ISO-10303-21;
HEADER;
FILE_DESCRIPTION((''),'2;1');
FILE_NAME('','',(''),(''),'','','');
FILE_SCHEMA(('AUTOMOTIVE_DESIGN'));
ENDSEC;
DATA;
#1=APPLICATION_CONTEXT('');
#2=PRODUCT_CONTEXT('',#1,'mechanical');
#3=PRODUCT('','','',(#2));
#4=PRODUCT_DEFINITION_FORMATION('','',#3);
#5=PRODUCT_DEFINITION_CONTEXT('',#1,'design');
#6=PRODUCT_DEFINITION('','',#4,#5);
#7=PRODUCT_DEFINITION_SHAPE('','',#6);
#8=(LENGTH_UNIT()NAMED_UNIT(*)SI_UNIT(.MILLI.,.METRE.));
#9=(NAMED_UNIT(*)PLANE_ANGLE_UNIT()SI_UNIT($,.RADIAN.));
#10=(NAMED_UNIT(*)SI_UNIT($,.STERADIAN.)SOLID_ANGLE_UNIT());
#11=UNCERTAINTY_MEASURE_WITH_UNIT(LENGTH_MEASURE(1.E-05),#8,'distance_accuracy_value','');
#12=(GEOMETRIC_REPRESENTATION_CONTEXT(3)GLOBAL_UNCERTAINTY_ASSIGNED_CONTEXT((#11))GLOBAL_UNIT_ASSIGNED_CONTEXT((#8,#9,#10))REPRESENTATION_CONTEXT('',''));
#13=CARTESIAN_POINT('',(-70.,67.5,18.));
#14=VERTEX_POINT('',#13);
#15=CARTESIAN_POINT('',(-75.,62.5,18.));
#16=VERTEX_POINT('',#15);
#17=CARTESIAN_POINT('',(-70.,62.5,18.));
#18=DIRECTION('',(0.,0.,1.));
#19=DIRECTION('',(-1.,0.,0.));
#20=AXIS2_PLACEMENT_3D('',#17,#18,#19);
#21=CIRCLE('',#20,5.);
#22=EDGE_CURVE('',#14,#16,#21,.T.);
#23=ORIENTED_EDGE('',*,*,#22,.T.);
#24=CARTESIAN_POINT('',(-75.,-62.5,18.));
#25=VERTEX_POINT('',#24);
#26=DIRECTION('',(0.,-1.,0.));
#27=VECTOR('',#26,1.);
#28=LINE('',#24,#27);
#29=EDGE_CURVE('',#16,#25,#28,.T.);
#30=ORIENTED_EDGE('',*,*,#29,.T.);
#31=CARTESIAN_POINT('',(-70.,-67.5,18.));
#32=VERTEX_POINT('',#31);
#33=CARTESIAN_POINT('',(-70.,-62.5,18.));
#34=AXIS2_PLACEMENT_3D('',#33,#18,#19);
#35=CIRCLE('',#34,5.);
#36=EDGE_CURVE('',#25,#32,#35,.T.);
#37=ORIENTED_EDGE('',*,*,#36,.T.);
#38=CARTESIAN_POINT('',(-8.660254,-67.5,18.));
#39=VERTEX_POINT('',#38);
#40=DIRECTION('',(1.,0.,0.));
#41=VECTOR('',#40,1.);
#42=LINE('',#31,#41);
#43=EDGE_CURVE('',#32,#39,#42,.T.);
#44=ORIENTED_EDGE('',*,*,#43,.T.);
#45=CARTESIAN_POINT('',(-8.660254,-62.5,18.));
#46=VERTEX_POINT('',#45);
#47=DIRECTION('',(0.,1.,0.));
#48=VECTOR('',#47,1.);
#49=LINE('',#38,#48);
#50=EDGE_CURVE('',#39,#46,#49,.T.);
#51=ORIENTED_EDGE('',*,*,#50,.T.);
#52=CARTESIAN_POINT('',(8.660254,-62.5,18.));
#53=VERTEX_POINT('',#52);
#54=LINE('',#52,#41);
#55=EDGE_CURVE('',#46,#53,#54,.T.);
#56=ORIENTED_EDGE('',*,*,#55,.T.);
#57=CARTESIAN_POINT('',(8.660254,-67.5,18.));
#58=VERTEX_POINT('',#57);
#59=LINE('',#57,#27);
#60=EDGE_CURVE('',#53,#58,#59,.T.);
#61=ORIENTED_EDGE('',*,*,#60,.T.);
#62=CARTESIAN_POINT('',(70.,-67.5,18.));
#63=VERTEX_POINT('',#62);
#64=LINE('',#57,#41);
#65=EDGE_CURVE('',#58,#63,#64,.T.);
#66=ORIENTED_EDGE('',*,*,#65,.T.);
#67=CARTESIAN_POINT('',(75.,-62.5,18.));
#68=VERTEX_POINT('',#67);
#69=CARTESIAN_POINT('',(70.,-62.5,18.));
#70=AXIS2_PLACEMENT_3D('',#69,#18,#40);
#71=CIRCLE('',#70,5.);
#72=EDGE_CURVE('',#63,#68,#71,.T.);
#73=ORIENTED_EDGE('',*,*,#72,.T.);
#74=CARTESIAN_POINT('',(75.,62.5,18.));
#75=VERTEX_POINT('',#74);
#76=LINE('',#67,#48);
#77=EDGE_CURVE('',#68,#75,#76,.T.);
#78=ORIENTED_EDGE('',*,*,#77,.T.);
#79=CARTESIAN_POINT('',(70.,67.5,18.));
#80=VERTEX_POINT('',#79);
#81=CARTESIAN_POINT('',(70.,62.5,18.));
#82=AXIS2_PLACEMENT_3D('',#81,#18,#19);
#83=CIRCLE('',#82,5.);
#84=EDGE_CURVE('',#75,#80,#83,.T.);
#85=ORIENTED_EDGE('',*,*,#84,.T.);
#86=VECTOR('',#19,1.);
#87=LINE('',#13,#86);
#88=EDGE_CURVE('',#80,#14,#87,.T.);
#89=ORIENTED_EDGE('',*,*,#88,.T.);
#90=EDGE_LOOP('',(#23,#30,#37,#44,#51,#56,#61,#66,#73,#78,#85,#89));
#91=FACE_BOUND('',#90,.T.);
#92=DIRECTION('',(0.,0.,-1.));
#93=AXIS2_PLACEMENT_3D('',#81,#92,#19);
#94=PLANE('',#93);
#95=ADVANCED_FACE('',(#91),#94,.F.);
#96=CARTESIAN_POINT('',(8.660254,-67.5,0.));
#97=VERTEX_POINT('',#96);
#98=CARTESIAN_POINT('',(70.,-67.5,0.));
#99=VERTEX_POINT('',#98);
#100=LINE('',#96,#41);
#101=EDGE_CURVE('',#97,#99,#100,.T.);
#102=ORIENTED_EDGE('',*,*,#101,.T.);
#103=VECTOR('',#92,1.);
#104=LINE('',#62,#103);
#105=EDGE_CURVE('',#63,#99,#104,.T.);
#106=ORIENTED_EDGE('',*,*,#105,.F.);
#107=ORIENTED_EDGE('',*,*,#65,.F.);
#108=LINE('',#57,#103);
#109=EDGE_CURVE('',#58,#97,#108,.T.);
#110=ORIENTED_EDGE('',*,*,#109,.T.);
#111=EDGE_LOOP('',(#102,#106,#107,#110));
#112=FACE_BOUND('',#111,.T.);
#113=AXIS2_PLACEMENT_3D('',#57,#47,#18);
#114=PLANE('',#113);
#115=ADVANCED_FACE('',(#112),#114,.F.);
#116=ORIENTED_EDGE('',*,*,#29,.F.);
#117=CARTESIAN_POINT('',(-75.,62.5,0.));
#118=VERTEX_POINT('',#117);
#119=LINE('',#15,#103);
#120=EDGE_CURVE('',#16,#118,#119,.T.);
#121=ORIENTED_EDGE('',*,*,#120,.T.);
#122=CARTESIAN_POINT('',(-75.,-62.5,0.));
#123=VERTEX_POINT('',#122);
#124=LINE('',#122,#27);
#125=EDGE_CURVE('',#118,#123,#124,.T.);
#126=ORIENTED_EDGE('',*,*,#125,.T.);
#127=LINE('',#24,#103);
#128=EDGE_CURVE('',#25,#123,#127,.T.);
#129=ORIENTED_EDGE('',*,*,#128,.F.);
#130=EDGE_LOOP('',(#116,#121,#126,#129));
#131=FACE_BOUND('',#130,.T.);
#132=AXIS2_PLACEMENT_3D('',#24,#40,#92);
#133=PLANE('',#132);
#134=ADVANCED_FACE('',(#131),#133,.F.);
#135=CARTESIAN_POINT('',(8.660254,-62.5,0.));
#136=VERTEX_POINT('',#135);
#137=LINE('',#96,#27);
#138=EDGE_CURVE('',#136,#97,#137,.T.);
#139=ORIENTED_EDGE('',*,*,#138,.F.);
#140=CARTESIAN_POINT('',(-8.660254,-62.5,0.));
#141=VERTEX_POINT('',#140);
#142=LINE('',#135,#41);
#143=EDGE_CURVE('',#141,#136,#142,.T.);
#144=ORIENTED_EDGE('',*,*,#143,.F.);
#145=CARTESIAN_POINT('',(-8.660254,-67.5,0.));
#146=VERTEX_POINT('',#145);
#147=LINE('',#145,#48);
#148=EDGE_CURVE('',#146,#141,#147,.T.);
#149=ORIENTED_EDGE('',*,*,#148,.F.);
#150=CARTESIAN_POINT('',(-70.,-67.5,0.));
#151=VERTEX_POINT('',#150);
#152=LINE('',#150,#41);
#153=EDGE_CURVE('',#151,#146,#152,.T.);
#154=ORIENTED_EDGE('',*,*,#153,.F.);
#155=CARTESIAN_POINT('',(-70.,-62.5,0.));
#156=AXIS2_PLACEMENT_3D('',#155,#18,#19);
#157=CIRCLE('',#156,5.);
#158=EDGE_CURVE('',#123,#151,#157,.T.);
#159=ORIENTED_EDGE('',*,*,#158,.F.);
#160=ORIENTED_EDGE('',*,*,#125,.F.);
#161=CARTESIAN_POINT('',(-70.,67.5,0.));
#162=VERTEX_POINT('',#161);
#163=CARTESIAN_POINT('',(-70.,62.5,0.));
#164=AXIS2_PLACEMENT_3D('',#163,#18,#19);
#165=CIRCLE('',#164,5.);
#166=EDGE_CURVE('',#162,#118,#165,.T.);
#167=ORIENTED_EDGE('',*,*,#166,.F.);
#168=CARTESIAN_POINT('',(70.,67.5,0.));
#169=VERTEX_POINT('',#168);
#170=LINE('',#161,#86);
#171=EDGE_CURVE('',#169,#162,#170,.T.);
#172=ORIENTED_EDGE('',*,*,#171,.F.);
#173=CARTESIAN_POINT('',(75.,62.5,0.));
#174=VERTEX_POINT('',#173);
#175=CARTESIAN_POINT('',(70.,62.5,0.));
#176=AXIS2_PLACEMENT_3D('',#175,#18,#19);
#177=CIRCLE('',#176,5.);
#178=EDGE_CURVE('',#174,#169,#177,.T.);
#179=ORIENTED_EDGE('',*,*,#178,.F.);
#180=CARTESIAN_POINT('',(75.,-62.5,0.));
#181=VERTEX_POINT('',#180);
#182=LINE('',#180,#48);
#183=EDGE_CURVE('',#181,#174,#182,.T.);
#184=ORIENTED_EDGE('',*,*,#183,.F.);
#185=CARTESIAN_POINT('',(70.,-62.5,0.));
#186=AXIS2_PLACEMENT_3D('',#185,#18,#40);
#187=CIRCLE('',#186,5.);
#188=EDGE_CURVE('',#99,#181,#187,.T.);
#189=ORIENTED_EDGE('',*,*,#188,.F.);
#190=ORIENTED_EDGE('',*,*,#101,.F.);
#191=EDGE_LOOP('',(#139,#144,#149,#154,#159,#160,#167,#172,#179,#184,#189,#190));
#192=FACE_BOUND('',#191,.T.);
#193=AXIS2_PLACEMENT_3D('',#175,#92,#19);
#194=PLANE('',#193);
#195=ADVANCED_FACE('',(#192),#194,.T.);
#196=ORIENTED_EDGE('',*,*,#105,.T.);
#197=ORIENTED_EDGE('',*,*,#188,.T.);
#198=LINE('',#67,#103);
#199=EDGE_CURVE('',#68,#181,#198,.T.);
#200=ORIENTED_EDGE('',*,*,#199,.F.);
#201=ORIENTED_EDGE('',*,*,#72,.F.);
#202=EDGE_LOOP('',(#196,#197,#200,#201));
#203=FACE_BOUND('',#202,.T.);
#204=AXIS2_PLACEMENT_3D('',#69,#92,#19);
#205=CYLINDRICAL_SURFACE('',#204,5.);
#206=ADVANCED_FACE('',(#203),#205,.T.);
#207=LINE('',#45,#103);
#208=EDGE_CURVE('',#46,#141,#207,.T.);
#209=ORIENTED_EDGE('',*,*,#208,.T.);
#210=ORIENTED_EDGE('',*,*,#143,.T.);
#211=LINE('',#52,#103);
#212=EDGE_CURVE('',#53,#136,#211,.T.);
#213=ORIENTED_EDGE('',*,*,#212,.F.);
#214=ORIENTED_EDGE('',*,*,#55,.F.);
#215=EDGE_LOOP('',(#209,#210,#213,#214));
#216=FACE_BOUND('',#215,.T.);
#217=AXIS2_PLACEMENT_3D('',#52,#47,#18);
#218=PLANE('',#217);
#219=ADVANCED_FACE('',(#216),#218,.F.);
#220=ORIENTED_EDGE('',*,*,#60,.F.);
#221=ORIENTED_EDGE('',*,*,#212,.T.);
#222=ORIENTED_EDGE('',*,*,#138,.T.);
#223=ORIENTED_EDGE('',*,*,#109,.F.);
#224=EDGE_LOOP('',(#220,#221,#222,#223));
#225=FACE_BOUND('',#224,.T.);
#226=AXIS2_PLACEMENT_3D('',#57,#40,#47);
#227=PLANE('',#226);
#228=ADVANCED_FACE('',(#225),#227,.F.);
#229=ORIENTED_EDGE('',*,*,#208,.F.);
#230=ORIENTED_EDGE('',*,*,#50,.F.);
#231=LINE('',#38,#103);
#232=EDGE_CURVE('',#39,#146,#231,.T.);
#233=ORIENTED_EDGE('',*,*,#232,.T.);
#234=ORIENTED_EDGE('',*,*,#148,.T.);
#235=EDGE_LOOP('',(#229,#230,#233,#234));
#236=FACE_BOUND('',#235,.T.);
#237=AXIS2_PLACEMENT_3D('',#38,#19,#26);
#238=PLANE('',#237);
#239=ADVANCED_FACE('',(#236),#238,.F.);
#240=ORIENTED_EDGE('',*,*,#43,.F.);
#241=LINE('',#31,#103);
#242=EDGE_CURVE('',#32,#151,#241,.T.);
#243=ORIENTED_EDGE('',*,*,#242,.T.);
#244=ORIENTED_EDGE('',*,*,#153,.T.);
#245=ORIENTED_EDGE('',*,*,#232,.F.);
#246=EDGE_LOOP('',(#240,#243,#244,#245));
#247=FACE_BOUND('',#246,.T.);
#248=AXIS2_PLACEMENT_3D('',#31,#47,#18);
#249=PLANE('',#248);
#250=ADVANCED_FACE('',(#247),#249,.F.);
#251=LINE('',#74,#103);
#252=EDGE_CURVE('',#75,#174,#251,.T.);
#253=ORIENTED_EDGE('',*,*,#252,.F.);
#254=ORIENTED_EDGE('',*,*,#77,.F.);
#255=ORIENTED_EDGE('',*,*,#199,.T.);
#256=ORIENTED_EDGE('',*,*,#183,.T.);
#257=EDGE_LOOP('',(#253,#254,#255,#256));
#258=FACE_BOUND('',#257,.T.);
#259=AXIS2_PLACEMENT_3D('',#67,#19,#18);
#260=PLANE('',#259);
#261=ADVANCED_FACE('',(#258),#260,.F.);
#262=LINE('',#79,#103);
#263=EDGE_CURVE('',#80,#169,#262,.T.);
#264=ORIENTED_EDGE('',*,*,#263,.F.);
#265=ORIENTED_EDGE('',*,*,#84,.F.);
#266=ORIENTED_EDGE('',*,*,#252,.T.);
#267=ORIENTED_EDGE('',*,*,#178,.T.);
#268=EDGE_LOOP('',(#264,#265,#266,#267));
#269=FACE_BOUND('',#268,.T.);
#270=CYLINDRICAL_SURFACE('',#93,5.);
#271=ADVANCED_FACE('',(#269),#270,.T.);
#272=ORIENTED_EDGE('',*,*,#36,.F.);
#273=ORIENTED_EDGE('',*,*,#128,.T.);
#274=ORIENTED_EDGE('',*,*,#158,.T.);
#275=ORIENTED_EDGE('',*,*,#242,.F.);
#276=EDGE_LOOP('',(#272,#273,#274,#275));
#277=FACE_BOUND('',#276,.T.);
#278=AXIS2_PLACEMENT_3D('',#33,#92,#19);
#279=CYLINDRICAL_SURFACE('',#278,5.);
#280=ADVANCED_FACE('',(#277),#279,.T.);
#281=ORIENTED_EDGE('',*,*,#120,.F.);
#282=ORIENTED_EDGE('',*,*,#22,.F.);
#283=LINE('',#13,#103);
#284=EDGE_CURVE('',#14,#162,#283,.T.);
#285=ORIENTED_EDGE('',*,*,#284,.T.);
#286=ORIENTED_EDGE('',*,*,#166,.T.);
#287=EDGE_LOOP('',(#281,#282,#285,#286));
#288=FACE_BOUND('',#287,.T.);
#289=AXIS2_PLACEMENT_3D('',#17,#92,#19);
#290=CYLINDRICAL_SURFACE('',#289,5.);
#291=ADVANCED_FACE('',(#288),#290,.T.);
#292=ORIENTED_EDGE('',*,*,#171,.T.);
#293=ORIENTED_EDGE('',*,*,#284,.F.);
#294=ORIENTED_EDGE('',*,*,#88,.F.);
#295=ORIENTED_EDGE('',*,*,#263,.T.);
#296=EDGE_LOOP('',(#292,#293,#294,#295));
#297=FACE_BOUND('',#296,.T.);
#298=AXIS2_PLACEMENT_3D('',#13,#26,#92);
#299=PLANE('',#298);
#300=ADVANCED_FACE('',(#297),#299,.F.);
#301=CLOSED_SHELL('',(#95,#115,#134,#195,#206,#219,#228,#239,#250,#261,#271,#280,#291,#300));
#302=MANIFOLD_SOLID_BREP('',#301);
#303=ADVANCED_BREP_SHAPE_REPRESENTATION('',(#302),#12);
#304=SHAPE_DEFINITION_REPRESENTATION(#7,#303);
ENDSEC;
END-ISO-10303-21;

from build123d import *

# Parameters (mm, degrees)
EXTRUDE_1_DEPTH = 18


with BuildPart() as part:
    # 草图1 → 凸台-拉伸1 (new body)
    with BuildSketch(Plane.XY):
        with BuildLine():
            Line((-70, -67.5), (-8.660254038, -67.5))
            Line((-8.660254038, -67.5), (-8.660254038, -62.5))
            Line((-8.660254038, -62.5), (8.660254038, -62.5))
            Line((8.660254038, -62.5), (8.660254038, -67.5))
            Line((8.660254038, -67.5), (70, -67.5))
            ThreePointArc((70, -67.5), (73.535533906, -66.035533906), (75, -62.5))
            Line((75, -62.5), (75, 62.5))
            ThreePointArc((75, 62.5), (73.535533906, 66.035533906), (70, 67.5))
            Line((70, 67.5), (-70, 67.5))
            ThreePointArc((-70, 67.5), (-73.535533906, 66.035533906), (-75, 62.5))
            Line((-75, 62.5), (-75, -62.5))
            ThreePointArc((-75, -62.5), (-73.535533906, -66.035533906), (-70, -67.5))
        make_face()
    extrude(amount=EXTRUDE_1_DEPTH)


solid = part.part
